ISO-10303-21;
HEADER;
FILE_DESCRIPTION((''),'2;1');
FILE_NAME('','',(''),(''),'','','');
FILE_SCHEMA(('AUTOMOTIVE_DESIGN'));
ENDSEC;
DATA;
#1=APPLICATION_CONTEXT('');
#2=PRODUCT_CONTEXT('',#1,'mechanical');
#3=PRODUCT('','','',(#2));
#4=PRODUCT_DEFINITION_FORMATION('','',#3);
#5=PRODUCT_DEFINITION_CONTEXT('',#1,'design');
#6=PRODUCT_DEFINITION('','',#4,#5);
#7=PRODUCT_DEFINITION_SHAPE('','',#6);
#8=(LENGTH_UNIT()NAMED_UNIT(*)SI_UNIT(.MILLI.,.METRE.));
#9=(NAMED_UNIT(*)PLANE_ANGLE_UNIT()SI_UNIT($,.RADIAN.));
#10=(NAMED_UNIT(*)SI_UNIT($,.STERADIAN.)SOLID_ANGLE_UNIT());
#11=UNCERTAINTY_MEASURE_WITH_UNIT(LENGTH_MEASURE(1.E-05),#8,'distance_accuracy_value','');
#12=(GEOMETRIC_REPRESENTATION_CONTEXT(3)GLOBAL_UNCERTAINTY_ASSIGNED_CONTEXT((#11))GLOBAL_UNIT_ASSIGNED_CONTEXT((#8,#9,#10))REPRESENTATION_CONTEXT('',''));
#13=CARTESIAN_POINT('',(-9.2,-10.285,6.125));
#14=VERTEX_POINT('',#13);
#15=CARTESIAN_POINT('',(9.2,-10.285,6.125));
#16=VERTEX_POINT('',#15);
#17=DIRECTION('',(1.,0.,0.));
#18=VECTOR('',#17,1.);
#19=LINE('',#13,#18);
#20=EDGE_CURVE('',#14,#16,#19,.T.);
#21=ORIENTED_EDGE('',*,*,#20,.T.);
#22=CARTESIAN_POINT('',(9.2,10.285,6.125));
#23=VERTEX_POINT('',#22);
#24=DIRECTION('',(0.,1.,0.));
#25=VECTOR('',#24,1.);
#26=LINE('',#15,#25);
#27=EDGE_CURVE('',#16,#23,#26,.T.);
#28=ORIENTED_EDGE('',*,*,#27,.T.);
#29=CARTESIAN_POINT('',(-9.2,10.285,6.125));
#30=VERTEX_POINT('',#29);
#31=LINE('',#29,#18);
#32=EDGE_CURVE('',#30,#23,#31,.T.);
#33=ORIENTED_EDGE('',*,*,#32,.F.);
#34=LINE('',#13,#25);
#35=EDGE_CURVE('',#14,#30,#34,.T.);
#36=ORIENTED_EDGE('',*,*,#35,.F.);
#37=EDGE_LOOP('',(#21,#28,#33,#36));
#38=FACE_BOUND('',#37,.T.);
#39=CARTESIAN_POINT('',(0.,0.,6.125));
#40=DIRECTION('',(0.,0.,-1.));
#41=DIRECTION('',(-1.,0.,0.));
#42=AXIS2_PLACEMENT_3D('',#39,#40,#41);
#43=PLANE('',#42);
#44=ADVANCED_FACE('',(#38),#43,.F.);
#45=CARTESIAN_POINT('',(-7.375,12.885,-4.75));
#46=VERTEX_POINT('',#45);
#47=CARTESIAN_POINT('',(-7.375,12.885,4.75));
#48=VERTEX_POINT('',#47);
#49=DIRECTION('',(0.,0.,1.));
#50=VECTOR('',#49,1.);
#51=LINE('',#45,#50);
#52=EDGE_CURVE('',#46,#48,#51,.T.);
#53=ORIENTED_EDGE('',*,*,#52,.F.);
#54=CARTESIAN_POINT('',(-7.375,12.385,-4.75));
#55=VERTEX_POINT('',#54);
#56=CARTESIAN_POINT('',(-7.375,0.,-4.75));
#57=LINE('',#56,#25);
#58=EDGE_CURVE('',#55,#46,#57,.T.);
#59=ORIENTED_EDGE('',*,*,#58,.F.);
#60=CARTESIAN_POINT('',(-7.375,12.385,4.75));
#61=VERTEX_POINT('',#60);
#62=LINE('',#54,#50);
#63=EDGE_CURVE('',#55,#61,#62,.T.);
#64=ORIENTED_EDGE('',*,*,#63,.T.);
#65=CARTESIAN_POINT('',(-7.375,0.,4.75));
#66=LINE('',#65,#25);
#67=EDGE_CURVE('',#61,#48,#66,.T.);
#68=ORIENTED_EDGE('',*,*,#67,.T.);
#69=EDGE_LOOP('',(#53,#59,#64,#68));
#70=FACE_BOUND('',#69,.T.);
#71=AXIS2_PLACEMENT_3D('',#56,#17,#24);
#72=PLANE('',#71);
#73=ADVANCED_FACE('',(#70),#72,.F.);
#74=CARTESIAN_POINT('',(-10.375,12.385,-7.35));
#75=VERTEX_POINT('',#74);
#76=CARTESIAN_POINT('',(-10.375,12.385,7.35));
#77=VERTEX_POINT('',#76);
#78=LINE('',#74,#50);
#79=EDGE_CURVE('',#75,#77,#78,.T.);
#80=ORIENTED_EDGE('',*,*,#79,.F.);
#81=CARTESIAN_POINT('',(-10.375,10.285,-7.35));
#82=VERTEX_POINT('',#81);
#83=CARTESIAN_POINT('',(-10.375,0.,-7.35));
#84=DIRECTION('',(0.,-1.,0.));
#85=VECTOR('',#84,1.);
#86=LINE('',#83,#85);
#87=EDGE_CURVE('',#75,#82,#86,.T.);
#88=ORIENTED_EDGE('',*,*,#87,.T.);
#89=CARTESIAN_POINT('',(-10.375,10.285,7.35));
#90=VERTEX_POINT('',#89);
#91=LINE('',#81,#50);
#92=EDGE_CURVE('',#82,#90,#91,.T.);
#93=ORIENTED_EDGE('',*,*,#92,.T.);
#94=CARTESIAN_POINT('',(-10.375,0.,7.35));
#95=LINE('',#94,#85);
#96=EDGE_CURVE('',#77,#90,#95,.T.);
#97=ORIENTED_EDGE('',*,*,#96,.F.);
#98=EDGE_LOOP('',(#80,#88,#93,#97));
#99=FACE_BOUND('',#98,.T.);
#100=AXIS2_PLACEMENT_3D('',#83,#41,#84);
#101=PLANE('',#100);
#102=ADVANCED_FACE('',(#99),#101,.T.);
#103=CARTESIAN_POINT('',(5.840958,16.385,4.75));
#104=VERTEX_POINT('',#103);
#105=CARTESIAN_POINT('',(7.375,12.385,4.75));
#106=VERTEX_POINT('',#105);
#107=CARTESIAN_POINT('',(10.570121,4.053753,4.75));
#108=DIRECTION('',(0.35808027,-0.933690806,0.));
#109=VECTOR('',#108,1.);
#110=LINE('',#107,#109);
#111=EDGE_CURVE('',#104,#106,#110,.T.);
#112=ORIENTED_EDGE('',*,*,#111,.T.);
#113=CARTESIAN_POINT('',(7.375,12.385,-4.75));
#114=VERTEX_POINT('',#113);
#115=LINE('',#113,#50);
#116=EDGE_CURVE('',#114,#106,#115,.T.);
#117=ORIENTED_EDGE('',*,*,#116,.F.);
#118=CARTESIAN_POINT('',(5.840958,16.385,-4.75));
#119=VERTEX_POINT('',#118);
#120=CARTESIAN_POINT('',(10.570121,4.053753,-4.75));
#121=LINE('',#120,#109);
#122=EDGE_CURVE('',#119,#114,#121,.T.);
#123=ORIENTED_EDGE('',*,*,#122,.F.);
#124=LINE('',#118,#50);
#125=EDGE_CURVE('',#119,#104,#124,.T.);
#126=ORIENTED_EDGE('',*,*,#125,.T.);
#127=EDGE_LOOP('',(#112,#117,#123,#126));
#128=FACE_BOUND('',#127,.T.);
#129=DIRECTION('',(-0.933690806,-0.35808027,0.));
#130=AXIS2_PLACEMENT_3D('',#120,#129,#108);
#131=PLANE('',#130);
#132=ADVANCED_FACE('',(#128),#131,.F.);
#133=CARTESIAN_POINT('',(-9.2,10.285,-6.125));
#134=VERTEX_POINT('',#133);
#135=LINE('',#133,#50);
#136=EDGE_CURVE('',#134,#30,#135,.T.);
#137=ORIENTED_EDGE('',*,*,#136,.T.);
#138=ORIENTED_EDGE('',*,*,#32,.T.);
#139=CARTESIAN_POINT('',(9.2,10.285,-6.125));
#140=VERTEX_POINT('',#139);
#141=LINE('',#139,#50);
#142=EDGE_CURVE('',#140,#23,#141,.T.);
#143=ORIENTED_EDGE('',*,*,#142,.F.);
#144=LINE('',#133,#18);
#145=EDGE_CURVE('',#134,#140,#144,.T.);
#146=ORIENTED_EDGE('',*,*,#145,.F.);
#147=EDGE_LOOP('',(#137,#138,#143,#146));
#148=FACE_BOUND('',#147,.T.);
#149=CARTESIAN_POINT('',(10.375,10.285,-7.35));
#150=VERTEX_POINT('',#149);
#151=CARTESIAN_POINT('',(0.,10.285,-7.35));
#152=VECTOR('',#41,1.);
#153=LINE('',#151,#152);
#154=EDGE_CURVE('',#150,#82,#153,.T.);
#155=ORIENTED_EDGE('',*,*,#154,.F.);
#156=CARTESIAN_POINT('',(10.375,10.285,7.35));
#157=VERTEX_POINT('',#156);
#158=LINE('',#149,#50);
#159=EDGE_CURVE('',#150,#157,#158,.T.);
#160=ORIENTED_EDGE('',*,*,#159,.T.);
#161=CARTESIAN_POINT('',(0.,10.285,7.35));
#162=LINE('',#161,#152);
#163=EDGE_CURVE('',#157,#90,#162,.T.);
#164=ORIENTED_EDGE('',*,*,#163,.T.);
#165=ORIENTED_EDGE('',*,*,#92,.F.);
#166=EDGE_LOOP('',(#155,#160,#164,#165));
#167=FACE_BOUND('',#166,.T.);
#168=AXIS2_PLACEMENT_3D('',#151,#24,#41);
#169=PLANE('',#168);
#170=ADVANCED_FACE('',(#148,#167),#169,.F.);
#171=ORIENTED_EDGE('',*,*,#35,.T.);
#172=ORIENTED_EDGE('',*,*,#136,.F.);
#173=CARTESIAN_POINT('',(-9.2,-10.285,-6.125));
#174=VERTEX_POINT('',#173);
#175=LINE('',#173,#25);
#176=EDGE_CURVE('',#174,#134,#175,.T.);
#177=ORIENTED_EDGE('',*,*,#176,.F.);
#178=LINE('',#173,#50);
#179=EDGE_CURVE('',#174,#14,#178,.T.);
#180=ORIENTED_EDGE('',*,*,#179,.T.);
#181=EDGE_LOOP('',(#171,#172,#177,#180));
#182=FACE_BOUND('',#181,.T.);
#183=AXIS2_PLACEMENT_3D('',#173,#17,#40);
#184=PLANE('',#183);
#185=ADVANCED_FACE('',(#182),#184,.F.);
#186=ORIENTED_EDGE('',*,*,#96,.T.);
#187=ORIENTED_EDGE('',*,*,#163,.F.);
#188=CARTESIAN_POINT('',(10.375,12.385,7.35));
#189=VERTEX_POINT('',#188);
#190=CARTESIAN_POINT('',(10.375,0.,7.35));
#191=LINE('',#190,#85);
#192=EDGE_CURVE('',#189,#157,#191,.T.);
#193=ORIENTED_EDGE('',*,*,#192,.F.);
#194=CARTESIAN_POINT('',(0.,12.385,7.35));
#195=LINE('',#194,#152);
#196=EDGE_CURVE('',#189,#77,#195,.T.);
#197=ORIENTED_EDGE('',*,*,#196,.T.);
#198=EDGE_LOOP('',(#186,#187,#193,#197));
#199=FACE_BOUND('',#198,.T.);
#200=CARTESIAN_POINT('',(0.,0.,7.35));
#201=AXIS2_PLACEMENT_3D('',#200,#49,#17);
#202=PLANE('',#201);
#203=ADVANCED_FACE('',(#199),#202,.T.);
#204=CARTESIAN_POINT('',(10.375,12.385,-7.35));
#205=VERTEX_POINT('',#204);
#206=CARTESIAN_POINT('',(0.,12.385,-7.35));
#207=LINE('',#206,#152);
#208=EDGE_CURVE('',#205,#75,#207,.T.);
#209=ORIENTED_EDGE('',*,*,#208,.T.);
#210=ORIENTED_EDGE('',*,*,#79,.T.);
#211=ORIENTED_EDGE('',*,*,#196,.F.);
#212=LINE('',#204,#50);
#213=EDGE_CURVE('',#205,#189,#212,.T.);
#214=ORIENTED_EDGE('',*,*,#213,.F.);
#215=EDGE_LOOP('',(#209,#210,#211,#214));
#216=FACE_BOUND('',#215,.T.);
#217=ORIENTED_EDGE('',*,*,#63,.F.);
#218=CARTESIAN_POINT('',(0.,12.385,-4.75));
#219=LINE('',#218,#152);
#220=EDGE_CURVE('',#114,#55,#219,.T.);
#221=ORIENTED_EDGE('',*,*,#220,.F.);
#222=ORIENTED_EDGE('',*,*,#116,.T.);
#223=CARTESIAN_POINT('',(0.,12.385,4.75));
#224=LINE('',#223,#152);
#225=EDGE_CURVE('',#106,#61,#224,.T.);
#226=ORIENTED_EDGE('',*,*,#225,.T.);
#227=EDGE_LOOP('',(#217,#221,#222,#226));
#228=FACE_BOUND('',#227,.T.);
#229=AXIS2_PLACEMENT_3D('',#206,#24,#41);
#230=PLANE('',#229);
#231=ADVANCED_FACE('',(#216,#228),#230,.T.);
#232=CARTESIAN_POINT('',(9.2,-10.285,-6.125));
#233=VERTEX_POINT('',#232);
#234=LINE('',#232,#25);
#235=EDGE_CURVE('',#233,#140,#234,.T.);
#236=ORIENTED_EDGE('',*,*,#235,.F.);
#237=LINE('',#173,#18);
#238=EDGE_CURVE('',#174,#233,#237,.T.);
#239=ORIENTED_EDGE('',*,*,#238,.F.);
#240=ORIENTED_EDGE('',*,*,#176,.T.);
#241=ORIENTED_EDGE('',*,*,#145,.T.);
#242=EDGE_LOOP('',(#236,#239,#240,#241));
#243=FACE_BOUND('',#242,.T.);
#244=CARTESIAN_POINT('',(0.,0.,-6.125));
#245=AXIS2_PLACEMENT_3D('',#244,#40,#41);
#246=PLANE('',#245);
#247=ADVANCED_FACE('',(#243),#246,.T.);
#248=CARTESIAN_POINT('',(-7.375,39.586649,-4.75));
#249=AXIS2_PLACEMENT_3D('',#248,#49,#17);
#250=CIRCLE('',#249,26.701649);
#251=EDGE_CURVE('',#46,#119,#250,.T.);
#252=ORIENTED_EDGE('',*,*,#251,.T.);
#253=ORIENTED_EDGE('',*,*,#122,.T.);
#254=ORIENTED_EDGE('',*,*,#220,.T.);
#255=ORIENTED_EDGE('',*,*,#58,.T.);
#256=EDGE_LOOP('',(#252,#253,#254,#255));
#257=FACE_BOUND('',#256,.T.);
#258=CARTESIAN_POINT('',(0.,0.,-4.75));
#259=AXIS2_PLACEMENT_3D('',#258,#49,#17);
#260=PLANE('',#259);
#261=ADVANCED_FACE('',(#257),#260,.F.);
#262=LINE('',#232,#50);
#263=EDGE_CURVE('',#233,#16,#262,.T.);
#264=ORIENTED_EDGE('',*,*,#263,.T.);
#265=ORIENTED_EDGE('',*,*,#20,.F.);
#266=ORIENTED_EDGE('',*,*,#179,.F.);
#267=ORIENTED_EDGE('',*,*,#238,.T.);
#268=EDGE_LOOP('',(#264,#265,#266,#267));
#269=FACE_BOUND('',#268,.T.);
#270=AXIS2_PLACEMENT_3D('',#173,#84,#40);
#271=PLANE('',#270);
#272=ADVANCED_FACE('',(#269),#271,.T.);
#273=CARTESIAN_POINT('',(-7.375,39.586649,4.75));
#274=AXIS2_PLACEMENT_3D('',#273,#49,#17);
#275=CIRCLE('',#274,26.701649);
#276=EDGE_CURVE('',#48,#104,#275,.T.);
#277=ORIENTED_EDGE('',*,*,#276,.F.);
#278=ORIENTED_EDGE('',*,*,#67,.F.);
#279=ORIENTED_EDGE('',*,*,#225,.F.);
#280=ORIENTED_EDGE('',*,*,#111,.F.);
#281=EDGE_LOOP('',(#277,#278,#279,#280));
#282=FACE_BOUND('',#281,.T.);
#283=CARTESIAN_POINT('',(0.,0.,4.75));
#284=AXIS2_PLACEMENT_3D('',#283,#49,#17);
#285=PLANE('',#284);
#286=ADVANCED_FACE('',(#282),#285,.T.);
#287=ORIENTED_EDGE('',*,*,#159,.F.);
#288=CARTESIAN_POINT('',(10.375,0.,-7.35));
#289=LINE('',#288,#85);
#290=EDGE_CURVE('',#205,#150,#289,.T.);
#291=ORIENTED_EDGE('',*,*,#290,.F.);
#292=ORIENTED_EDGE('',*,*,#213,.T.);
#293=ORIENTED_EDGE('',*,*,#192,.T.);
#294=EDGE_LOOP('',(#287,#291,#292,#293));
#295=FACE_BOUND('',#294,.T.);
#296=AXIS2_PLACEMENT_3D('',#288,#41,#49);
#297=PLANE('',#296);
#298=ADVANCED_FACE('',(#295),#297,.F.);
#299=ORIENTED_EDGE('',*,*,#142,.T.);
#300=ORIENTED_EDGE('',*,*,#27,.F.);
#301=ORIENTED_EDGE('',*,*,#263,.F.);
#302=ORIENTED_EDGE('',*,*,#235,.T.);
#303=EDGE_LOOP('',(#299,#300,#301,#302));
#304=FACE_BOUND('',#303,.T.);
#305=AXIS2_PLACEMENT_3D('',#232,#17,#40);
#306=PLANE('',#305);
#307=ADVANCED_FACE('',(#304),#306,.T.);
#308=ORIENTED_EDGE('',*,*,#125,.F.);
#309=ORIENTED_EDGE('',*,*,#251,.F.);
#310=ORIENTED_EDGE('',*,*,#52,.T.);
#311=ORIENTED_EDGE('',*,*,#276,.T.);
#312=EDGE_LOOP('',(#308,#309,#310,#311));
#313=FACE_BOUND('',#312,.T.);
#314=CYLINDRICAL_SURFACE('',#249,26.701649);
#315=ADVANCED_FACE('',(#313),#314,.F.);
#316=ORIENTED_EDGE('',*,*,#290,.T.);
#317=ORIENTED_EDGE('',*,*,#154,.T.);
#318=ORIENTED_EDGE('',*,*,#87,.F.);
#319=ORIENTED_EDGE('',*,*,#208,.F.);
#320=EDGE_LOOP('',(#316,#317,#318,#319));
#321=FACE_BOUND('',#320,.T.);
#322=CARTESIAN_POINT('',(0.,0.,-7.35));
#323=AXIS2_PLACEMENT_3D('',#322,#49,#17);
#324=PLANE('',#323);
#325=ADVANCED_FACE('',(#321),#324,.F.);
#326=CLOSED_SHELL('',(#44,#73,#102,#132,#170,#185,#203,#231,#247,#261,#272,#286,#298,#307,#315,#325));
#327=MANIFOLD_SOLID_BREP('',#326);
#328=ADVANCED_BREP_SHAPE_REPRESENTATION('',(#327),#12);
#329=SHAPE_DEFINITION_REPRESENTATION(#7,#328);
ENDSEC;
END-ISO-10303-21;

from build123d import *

# Parameters (mm, degrees)
BOSS_EXTRUDE1_DEPTH      = 6.125
BOSS_EXTRUDE1_DEPTH_BACK = 6.125
SKETCH1_W                = 18.4
SKETCH1_H                = 20.57
BOSS_EXTRUDE2_DEPTH      = 7.35
BOSS_EXTRUDE2_DEPTH_BACK = 7.35
BOSS_EXTRUDE3_DEPTH      = 4.75
BOSS_EXTRUDE3_DEPTH_BACK = 4.75


with BuildPart() as part:
    # Sketch1 → Boss-Extrude1 (new, two sides: drawn at the far end of the back side and taken through both)
    with BuildSketch(Plane.XY.offset(-BOSS_EXTRUDE1_DEPTH_BACK)):
        Rectangle(SKETCH1_W, SKETCH1_H)
    extrude(amount=BOSS_EXTRUDE1_DEPTH + BOSS_EXTRUDE1_DEPTH_BACK)

    # Sketch1<3> → Boss-Extrude2 (add, two sides: drawn at the far end of the back side and taken through both)
    with BuildSketch(Plane.XY.offset(-BOSS_EXTRUDE2_DEPTH_BACK)):
        Polygon((7.375, 12.385), (-7.375, 12.385), (-10.375, 12.385), (-10.375, 10.285), (-9.2, 10.285), (9.2, 10.285), (10.375, 10.285), (10.375, 12.385), align=None)
    extrude(amount=BOSS_EXTRUDE2_DEPTH + BOSS_EXTRUDE2_DEPTH_BACK)

    # Sketch1<4> → Boss-Extrude3 (add, two sides: drawn at the far end of the back side and taken through both)
    with BuildSketch(Plane.XY.offset(-BOSS_EXTRUDE3_DEPTH_BACK)):
        with BuildLine():
            Line((-7.375, 12.885), (-7.375, 12.385))
            Line((-7.375, 12.385), (7.375, 12.385))
            Line((7.375, 12.385), (5.840957819, 16.385))
            ThreePointArc((5.840957819, 16.385), (-0.539220215, 13.77482664), (-7.375, 12.885))
        make_face()
    extrude(amount=BOSS_EXTRUDE3_DEPTH + BOSS_EXTRUDE3_DEPTH_BACK)


solid = part.part
